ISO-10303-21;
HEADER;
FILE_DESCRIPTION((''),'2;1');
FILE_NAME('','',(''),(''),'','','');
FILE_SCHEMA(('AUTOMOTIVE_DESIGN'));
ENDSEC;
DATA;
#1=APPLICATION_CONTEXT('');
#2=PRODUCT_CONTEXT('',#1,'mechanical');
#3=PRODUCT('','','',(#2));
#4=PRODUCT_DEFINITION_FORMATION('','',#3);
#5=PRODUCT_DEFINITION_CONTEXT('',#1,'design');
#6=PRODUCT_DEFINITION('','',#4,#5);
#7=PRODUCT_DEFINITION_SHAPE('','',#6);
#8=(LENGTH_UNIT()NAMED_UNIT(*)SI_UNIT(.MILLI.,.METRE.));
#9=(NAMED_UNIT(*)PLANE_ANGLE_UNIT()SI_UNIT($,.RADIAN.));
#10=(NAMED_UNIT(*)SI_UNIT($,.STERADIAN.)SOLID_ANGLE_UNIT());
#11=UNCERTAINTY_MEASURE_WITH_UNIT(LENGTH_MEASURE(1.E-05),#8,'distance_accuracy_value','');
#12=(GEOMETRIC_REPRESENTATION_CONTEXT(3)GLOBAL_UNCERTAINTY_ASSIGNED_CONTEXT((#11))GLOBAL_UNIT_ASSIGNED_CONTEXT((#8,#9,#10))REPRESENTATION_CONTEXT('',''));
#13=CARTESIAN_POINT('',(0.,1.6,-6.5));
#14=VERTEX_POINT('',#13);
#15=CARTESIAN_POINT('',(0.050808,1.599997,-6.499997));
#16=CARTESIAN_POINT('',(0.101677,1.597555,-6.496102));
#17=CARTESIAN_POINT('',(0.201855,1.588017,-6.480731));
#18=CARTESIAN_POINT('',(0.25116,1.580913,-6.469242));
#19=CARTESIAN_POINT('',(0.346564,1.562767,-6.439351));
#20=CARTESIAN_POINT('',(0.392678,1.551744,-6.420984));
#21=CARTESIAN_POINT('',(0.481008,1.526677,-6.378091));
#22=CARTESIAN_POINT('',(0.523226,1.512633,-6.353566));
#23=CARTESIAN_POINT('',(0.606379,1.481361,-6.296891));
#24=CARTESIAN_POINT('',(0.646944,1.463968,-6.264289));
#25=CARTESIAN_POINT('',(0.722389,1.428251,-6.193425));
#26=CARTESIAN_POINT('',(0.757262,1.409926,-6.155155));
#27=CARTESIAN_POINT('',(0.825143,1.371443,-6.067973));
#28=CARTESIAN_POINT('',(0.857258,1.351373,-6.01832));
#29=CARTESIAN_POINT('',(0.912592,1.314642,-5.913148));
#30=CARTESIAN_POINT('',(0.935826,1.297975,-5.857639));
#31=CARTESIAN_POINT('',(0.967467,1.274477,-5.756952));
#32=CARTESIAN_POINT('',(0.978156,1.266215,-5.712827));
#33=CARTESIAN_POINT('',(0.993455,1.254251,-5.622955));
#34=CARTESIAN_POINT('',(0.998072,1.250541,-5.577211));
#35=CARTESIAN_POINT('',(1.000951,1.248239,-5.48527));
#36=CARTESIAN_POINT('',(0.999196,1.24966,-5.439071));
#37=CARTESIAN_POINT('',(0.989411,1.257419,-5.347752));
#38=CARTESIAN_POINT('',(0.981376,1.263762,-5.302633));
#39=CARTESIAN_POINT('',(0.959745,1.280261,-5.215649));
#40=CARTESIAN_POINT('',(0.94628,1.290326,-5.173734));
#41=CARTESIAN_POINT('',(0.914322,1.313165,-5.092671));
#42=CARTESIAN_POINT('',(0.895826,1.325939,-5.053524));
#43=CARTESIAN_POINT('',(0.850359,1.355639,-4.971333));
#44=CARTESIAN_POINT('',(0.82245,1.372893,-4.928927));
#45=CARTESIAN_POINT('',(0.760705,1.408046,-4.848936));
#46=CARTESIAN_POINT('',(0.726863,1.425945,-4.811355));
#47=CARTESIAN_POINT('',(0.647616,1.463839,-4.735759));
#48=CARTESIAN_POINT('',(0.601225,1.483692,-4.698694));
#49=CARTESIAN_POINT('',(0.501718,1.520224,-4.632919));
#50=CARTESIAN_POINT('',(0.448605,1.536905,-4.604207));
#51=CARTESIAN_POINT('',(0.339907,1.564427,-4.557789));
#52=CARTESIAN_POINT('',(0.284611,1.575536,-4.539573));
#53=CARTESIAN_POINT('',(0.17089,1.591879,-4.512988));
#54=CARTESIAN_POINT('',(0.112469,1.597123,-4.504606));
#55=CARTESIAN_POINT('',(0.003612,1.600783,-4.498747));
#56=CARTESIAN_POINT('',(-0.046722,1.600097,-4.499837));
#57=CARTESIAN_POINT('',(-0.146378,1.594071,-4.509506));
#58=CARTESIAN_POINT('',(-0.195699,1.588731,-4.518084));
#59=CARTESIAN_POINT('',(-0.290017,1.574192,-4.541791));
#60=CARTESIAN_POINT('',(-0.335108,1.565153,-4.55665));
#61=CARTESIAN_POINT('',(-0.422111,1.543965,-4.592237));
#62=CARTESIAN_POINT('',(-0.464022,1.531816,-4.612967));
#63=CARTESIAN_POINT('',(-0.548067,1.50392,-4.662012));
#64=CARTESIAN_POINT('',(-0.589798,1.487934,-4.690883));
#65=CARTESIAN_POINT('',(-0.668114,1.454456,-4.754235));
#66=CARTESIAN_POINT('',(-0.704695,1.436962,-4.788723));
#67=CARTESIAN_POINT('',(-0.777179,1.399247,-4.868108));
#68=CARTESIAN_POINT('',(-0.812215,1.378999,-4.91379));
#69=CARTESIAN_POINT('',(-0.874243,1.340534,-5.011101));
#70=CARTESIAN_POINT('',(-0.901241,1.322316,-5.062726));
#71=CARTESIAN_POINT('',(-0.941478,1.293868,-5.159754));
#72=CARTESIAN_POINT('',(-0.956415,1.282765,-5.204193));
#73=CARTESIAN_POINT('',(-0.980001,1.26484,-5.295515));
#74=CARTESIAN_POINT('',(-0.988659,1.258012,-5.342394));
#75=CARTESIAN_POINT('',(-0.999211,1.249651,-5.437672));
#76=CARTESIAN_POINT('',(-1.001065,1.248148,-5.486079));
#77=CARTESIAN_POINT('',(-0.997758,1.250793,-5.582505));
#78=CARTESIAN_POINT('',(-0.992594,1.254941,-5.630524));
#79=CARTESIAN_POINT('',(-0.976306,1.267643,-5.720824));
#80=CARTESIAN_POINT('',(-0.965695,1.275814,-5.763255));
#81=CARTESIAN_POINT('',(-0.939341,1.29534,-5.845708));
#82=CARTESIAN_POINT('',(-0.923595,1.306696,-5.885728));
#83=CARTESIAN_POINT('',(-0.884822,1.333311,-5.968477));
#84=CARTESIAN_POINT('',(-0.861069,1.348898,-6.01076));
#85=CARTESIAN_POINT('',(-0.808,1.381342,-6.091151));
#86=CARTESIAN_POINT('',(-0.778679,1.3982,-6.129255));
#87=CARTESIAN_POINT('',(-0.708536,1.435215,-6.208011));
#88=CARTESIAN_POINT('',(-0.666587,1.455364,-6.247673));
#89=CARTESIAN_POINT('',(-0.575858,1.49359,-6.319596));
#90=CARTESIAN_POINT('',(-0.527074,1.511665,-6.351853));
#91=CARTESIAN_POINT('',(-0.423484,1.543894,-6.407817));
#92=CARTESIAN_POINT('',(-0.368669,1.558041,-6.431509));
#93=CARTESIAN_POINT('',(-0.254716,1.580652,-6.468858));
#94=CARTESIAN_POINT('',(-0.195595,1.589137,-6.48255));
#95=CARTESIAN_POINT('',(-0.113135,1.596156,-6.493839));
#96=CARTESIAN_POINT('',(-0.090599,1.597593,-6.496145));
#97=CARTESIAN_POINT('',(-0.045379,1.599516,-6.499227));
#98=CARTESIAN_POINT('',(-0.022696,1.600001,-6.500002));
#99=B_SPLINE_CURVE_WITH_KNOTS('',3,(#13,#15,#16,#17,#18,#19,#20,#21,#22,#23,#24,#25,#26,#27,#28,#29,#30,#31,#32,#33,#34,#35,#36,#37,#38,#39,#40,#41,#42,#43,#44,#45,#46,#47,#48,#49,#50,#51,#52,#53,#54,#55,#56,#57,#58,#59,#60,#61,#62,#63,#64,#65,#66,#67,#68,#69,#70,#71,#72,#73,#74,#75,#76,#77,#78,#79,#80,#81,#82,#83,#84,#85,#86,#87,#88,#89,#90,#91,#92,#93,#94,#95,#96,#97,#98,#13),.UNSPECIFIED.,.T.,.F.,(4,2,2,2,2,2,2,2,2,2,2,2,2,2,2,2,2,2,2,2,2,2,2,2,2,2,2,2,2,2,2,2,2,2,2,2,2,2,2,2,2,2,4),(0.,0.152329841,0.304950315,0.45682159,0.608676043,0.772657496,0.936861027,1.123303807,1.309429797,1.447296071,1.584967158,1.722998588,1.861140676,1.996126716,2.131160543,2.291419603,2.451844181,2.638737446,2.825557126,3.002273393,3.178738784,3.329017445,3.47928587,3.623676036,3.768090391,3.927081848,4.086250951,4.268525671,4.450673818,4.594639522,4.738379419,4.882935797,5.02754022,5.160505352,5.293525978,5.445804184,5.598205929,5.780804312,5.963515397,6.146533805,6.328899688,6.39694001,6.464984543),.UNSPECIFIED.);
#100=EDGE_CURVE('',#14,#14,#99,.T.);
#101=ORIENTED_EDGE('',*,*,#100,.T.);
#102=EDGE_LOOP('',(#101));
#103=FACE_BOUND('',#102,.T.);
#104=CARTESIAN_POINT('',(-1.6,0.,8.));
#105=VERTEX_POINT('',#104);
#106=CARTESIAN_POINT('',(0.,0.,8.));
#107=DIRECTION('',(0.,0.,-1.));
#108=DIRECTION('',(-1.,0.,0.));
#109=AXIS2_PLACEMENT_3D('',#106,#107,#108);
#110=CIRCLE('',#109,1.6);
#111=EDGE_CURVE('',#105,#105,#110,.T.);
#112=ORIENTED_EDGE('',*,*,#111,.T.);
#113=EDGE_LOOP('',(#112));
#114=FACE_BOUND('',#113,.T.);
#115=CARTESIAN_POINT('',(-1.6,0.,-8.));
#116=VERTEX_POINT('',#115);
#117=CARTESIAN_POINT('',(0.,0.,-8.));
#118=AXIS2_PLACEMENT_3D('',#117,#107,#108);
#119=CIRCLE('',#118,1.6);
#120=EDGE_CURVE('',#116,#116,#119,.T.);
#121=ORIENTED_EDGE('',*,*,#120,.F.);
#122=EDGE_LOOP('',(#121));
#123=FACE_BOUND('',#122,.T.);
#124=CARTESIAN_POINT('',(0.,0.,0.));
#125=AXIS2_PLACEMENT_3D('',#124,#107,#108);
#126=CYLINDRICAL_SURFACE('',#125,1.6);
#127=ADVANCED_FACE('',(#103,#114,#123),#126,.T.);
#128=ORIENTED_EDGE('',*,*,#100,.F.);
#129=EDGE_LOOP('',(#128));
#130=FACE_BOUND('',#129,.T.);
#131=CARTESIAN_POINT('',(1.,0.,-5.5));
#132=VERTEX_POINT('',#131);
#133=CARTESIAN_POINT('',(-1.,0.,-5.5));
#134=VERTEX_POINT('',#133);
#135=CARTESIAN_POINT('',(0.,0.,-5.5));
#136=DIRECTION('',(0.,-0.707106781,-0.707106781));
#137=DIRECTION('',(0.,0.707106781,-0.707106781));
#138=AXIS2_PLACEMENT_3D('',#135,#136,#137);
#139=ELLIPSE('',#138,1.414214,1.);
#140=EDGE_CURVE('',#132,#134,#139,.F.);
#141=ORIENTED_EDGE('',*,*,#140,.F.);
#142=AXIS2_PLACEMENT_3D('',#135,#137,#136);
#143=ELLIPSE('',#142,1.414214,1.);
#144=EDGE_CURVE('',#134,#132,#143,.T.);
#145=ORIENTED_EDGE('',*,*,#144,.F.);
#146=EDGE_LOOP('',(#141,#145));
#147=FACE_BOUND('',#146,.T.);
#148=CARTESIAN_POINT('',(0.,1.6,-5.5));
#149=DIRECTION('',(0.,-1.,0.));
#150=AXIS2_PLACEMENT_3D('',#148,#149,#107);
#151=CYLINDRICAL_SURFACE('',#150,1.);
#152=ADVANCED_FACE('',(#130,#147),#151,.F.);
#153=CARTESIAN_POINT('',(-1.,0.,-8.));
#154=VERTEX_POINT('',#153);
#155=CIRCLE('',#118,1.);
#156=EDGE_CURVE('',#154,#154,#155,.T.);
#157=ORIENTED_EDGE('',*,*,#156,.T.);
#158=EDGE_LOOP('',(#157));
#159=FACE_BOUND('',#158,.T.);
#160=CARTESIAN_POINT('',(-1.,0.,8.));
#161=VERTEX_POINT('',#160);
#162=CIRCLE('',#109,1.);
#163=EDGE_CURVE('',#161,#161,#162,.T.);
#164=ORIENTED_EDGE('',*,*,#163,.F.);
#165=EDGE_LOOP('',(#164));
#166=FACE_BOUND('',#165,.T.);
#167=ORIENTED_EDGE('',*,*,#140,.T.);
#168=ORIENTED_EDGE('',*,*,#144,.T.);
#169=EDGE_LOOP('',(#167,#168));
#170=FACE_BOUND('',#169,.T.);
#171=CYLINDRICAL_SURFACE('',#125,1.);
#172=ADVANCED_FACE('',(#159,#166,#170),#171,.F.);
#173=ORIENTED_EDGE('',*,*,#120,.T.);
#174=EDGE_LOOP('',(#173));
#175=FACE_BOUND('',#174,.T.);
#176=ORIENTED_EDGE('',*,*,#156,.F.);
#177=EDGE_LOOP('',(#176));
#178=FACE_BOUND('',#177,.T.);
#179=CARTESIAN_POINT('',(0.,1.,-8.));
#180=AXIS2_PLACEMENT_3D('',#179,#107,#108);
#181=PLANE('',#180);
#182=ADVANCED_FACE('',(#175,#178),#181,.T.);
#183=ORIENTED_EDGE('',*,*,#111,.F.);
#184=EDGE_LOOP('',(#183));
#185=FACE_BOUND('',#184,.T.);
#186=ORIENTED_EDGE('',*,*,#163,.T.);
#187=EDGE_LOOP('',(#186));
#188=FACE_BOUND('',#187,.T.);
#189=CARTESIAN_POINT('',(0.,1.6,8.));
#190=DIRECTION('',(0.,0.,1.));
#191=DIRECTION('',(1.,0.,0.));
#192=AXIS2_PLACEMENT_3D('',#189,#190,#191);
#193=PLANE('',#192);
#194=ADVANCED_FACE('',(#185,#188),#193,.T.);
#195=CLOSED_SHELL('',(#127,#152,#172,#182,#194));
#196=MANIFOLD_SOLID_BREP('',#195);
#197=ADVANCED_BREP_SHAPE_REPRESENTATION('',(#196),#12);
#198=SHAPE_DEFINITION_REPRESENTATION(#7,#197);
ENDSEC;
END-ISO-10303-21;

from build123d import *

# Parameters (mm, degrees)
SKIZZE1_W                       = 16
SKIZZE1_H                       = 0.6
SKIZZE2_R                       = 1
SCHNITT_LINEAR_AUSTRAGEN1_DEPTH = 2.6


with BuildPart() as part:
    # Skizze1 → Rotation1 (revolve)
    with BuildSketch(Plane(origin=(0, 0, 0), x_dir=(0, 0, -1), z_dir=(1, 0, 0))):
        with Locations((0, 1.3)):
            Rectangle(SKIZZE1_W, SKIZZE1_H)
    revolve(axis=Axis((0, 0, 0), (0, 0, 1)))

    # Skizze2 → Schnitt-Linear austragen1 (cut, through all)
    with BuildSketch(Plane(origin=(0, 0, 0), x_dir=(1, 0, 0), z_dir=(0, 1, 0))):
        with Locations((0, 5.5)):
            Circle(SKIZZE2_R)
    extrude(amount=SCHNITT_LINEAR_AUSTRAGEN1_DEPTH, mode=Mode.SUBTRACT)


solid = part.part
